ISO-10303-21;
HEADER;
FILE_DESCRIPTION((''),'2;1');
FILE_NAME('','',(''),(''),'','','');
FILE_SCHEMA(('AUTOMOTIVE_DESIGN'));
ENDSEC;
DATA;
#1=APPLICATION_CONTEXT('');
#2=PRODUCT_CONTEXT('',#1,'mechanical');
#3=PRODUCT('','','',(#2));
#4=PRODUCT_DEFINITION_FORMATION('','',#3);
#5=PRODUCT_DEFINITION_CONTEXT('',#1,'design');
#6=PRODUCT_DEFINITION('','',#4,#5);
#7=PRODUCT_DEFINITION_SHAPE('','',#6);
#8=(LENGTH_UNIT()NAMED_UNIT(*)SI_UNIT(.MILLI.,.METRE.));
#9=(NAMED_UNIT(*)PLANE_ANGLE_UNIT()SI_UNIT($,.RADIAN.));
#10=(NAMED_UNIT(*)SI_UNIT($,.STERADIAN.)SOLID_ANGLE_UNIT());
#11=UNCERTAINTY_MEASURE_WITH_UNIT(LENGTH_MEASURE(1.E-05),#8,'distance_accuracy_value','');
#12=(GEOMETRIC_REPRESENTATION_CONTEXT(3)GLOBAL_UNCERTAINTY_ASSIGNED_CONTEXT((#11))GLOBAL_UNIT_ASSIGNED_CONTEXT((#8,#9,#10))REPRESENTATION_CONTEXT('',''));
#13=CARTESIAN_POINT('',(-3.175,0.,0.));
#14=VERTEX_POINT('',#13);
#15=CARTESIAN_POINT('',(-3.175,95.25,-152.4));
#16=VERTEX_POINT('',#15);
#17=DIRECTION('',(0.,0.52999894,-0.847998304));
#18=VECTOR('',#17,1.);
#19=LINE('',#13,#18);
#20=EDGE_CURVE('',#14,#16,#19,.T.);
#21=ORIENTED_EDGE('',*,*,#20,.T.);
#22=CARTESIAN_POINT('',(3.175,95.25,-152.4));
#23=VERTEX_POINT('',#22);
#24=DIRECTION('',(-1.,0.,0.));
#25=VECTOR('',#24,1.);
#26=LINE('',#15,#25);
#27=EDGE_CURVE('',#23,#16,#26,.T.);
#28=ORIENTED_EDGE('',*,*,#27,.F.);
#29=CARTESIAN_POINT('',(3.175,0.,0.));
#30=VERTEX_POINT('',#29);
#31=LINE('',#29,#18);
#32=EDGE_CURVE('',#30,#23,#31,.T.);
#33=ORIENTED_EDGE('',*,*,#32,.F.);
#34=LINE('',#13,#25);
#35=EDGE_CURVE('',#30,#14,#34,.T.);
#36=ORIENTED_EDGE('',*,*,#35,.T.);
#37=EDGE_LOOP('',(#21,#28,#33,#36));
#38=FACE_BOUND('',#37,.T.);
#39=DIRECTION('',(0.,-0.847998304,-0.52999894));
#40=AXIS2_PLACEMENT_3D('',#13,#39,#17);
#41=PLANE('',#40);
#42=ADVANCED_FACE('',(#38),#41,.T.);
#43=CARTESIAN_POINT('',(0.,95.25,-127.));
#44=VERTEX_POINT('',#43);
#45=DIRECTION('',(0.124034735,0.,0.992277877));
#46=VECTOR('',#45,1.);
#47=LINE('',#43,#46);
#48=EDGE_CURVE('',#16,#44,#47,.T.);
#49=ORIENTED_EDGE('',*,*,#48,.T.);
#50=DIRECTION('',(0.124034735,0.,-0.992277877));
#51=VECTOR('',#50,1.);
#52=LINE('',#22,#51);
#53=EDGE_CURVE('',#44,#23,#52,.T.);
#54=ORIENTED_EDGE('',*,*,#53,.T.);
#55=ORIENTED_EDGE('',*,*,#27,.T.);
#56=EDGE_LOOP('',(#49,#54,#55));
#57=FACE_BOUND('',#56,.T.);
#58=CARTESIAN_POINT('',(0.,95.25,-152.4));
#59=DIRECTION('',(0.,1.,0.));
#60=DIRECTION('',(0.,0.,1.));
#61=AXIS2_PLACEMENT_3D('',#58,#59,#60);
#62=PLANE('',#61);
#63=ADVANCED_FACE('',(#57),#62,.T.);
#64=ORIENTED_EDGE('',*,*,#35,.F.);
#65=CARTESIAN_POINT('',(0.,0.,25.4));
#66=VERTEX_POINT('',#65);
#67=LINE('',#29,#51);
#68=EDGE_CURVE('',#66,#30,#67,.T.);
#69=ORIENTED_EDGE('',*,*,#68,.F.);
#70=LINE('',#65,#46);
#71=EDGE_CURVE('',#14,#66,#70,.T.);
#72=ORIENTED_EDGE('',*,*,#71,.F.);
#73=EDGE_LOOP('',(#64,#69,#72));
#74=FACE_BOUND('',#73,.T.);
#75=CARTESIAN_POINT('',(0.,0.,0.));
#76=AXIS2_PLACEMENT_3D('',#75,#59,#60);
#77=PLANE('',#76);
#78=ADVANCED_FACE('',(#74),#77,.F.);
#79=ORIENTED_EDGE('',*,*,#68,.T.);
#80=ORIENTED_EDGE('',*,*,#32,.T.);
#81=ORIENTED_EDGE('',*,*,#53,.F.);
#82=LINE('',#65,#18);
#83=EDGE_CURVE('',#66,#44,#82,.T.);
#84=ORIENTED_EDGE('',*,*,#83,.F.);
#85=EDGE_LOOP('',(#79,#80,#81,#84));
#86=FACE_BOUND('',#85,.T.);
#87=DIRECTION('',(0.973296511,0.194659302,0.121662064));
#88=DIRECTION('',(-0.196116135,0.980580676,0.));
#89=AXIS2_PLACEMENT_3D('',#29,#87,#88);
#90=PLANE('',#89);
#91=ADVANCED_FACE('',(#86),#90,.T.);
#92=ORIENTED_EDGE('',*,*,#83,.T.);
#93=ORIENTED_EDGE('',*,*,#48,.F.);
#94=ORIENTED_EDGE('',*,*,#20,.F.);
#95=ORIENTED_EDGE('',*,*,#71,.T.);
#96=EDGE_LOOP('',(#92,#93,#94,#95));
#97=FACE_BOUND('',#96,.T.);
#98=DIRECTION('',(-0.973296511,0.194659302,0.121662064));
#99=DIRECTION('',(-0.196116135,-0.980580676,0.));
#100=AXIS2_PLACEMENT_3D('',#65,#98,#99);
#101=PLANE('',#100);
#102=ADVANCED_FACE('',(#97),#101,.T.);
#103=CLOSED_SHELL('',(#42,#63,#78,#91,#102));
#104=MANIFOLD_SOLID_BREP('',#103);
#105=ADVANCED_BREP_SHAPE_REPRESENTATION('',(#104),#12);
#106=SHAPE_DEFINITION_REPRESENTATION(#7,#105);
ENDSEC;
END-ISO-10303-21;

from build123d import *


with BuildPart() as part:
    # Sweep1: sweep along a path in Sketch1
    with BuildLine(Plane(origin=(0, 0, 0), x_dir=(0, 0, -1), z_dir=(1, 0, 0))) as sweep1_path:
        Line((0, 0), (152.4, 95.25))
    # Sketch2 → Sweep1 (sweep)
    with BuildSketch(Plane(origin=(0, 0, 0), x_dir=(1, 0, 0), z_dir=(0, 1, 0))):
        Polygon((0, -25.4), (-3.175, 0), (3.175, 0), align=None)
    sweep(path=sweep1_path.line)


solid = part.part
